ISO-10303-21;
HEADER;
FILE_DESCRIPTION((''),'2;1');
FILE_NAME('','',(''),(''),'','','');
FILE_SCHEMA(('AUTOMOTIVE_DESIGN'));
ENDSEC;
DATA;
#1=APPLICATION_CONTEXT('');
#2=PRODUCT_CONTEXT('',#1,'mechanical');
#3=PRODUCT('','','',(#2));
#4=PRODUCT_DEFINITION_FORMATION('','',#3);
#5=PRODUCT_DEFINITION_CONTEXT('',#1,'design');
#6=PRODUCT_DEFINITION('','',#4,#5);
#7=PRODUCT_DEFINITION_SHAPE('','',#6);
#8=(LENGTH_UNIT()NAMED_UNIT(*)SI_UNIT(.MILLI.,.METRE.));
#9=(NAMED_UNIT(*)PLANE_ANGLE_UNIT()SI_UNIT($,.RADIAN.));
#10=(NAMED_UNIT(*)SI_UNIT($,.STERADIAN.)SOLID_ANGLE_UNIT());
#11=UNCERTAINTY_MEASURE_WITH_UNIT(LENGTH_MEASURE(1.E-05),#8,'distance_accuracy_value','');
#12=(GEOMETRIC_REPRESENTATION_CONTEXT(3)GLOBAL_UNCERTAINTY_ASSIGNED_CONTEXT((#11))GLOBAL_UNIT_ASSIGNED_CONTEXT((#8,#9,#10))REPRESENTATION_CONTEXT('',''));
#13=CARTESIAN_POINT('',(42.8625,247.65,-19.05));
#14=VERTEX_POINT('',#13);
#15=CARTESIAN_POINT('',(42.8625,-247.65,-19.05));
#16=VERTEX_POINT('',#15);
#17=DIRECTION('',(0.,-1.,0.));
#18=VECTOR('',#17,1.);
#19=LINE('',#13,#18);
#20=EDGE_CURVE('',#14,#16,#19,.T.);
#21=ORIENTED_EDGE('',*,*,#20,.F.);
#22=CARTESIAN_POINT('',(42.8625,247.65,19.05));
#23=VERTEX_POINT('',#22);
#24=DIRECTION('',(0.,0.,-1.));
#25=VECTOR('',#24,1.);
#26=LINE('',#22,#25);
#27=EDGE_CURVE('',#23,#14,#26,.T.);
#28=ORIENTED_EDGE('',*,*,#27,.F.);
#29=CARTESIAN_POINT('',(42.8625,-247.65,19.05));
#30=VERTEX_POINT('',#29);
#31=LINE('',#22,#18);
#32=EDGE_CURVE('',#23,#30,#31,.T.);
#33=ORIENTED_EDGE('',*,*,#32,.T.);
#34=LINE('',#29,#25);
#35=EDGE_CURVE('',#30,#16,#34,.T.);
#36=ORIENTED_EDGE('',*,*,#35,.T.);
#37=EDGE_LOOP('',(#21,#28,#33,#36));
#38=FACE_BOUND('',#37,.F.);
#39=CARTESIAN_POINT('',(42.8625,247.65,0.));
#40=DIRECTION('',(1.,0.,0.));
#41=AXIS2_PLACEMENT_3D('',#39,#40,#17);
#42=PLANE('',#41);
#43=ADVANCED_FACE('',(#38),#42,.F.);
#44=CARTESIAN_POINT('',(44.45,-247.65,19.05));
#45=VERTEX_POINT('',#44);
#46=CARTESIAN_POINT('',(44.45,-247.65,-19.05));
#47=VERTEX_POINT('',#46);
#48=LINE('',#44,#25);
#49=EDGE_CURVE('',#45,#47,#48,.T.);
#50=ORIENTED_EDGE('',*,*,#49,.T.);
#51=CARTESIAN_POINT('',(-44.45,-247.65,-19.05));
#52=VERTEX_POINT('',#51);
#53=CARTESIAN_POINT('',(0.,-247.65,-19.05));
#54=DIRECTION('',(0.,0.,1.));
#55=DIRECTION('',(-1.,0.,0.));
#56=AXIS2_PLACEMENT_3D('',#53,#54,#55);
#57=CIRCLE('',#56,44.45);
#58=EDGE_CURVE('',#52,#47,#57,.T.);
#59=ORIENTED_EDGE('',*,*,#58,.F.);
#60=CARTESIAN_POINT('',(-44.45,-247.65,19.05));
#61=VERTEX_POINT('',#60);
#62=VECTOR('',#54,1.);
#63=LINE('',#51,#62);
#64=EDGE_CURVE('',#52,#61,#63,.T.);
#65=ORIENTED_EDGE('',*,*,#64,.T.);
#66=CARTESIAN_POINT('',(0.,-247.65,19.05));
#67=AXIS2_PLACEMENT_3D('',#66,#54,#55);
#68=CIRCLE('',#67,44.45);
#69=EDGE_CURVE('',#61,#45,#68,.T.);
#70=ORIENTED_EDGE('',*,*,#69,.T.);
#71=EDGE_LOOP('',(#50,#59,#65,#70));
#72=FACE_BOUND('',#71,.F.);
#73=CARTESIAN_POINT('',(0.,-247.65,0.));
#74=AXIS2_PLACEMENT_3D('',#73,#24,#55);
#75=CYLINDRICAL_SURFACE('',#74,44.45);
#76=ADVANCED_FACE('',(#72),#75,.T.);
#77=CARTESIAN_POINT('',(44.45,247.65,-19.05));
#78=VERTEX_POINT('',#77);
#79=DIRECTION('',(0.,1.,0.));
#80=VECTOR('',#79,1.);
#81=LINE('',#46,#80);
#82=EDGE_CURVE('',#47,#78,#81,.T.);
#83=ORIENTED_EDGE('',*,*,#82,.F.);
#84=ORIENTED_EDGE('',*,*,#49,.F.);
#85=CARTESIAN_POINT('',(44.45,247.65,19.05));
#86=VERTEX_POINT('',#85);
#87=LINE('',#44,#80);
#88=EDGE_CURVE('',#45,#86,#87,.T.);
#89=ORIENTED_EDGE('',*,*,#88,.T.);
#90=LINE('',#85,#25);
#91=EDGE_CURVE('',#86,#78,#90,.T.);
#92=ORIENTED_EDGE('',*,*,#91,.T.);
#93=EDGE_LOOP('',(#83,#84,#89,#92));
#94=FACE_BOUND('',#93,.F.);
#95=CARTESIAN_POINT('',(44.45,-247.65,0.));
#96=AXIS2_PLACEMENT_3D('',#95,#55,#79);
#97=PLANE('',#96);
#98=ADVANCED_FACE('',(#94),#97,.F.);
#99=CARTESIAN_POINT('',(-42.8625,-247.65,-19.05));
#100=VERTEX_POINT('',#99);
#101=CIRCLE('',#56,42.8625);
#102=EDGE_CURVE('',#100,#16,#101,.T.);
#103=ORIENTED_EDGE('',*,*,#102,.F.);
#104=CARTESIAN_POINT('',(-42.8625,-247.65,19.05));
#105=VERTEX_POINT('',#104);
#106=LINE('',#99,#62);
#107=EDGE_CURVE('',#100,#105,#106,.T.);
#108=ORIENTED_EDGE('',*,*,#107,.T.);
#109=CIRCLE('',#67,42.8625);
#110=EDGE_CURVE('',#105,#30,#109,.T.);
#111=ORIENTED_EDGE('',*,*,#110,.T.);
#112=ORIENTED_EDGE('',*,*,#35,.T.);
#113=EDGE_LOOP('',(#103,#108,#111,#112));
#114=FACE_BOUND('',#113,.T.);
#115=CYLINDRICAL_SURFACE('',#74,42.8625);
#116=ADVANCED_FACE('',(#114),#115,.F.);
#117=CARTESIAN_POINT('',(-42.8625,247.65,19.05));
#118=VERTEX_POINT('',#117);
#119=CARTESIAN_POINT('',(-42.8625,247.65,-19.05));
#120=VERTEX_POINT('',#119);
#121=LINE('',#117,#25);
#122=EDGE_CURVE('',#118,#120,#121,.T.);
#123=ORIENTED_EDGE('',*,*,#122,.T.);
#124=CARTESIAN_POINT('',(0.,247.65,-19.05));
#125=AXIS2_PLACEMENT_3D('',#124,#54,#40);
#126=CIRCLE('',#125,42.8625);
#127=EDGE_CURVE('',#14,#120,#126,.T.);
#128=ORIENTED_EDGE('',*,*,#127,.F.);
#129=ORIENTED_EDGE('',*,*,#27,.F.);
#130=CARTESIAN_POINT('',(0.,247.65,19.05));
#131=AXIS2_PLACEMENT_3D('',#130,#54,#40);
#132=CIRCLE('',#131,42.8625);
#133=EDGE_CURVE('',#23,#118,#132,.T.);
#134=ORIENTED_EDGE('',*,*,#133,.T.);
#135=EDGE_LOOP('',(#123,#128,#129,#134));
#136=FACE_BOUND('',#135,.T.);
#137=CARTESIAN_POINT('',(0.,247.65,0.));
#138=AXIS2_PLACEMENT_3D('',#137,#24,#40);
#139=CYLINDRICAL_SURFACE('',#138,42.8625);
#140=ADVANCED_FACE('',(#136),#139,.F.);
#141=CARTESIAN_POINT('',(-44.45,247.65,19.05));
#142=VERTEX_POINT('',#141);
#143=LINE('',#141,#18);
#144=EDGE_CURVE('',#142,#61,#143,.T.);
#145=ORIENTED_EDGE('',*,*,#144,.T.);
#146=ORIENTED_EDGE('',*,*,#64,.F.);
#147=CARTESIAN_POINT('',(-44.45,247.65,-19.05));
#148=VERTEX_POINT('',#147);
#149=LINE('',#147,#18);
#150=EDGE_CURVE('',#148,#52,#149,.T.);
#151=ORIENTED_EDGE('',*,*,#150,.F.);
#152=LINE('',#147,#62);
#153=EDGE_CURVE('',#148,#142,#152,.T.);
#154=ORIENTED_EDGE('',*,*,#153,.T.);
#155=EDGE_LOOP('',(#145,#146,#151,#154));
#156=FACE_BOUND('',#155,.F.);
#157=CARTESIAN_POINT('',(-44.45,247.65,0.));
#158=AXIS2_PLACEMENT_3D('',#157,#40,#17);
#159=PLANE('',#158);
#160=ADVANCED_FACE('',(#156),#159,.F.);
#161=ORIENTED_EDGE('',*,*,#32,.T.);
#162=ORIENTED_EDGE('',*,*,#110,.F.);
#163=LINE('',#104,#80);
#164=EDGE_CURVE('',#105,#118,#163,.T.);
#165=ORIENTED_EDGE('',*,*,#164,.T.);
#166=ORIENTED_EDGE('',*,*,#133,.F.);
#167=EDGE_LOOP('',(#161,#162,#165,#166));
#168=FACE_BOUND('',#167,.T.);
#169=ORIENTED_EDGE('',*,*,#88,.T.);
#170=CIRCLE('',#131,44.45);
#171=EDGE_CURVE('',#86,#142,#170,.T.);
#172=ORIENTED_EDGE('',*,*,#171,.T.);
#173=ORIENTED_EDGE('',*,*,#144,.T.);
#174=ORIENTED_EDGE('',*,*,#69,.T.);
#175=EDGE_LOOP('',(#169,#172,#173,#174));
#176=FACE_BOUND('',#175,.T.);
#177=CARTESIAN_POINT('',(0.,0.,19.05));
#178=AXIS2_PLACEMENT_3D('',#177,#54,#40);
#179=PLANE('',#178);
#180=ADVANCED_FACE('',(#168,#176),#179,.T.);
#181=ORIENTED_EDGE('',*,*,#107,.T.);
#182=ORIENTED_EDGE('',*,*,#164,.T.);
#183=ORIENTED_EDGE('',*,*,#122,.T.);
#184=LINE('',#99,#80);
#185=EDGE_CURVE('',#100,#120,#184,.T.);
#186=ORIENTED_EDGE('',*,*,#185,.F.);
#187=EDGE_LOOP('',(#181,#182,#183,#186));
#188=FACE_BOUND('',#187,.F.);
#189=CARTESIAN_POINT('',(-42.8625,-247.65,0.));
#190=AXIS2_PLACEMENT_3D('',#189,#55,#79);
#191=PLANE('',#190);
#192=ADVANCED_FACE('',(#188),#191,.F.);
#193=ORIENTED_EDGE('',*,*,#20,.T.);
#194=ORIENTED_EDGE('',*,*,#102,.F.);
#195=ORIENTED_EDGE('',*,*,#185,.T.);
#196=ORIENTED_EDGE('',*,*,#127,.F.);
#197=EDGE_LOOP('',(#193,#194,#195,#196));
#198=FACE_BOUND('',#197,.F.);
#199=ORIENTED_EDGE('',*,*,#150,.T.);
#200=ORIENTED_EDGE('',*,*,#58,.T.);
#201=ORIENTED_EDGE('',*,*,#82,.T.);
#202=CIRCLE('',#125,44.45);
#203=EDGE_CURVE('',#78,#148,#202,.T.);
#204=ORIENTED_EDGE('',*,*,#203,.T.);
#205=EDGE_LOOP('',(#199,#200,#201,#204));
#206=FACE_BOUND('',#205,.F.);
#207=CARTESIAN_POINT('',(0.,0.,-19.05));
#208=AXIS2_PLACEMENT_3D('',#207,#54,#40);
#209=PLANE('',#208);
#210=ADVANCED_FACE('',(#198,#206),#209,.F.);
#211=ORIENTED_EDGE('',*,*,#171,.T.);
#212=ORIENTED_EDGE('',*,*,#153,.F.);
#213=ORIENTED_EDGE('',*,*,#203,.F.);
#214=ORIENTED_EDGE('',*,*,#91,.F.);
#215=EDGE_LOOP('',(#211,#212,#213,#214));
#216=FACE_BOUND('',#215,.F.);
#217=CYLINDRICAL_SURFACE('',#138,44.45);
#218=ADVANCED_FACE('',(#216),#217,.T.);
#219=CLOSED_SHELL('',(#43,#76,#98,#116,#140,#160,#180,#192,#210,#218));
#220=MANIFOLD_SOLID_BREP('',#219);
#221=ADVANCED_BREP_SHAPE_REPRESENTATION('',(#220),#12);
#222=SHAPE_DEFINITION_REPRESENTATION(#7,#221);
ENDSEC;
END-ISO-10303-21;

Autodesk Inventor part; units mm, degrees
ref_plane "YZ Plane" through (0, 0, 0) normal (1, 0, 0) x (0, 1, 0)
ref_plane "XZ Plane" through (0, 0, 0) normal (0, 1, 0) x (-1, 0, 0)
ref_plane "XY Plane" through (0, 0, 0) normal (0, 0, 1) x (1, 0, 0)
sketch "Sketch1" plane through (0, 0, 0) normal (0, 0, 1) x (1, 0, 0)
  line L0 (0, 247.65) -> (0, -247.65) construction
  line L1 (-44.45, 247.65) -> (-44.45, -247.65)
  line L2 (44.45, -247.65) -> (44.45, 247.65)
  arc A0 (44.45, 247.65) -> (-44.45, 247.65) centre (0, 247.65) ccw
  arc A1 (-44.45, -247.65) -> (44.45, -247.65) centre (0, -247.65) ccw
  line L3 (-42.8625, -247.65) -> (-42.8625, 247.65)
  arc A2 (42.8625, 247.65) -> (-42.8625, 247.65) centre (0, 247.65) ccw
  line L4 (42.8625, 247.65) -> (42.8625, -247.65)
  arc A3 (-42.8625, -247.65) -> (42.8625, -247.65) centre (0, -247.65) ccw
  point P0 (0, 0)
  dimension "d0" = 495.3
  dimension "d2" = 1.5875
  dimension "d5" = 88.9
extrude "Extrusion1" add sketch "Sketch1" along normal mid plane 38.1
properties part number "1_16 Thick x 1.5 Wide Urethane Flat Belting (10 Long)(217-6001)" material "Rubber"
